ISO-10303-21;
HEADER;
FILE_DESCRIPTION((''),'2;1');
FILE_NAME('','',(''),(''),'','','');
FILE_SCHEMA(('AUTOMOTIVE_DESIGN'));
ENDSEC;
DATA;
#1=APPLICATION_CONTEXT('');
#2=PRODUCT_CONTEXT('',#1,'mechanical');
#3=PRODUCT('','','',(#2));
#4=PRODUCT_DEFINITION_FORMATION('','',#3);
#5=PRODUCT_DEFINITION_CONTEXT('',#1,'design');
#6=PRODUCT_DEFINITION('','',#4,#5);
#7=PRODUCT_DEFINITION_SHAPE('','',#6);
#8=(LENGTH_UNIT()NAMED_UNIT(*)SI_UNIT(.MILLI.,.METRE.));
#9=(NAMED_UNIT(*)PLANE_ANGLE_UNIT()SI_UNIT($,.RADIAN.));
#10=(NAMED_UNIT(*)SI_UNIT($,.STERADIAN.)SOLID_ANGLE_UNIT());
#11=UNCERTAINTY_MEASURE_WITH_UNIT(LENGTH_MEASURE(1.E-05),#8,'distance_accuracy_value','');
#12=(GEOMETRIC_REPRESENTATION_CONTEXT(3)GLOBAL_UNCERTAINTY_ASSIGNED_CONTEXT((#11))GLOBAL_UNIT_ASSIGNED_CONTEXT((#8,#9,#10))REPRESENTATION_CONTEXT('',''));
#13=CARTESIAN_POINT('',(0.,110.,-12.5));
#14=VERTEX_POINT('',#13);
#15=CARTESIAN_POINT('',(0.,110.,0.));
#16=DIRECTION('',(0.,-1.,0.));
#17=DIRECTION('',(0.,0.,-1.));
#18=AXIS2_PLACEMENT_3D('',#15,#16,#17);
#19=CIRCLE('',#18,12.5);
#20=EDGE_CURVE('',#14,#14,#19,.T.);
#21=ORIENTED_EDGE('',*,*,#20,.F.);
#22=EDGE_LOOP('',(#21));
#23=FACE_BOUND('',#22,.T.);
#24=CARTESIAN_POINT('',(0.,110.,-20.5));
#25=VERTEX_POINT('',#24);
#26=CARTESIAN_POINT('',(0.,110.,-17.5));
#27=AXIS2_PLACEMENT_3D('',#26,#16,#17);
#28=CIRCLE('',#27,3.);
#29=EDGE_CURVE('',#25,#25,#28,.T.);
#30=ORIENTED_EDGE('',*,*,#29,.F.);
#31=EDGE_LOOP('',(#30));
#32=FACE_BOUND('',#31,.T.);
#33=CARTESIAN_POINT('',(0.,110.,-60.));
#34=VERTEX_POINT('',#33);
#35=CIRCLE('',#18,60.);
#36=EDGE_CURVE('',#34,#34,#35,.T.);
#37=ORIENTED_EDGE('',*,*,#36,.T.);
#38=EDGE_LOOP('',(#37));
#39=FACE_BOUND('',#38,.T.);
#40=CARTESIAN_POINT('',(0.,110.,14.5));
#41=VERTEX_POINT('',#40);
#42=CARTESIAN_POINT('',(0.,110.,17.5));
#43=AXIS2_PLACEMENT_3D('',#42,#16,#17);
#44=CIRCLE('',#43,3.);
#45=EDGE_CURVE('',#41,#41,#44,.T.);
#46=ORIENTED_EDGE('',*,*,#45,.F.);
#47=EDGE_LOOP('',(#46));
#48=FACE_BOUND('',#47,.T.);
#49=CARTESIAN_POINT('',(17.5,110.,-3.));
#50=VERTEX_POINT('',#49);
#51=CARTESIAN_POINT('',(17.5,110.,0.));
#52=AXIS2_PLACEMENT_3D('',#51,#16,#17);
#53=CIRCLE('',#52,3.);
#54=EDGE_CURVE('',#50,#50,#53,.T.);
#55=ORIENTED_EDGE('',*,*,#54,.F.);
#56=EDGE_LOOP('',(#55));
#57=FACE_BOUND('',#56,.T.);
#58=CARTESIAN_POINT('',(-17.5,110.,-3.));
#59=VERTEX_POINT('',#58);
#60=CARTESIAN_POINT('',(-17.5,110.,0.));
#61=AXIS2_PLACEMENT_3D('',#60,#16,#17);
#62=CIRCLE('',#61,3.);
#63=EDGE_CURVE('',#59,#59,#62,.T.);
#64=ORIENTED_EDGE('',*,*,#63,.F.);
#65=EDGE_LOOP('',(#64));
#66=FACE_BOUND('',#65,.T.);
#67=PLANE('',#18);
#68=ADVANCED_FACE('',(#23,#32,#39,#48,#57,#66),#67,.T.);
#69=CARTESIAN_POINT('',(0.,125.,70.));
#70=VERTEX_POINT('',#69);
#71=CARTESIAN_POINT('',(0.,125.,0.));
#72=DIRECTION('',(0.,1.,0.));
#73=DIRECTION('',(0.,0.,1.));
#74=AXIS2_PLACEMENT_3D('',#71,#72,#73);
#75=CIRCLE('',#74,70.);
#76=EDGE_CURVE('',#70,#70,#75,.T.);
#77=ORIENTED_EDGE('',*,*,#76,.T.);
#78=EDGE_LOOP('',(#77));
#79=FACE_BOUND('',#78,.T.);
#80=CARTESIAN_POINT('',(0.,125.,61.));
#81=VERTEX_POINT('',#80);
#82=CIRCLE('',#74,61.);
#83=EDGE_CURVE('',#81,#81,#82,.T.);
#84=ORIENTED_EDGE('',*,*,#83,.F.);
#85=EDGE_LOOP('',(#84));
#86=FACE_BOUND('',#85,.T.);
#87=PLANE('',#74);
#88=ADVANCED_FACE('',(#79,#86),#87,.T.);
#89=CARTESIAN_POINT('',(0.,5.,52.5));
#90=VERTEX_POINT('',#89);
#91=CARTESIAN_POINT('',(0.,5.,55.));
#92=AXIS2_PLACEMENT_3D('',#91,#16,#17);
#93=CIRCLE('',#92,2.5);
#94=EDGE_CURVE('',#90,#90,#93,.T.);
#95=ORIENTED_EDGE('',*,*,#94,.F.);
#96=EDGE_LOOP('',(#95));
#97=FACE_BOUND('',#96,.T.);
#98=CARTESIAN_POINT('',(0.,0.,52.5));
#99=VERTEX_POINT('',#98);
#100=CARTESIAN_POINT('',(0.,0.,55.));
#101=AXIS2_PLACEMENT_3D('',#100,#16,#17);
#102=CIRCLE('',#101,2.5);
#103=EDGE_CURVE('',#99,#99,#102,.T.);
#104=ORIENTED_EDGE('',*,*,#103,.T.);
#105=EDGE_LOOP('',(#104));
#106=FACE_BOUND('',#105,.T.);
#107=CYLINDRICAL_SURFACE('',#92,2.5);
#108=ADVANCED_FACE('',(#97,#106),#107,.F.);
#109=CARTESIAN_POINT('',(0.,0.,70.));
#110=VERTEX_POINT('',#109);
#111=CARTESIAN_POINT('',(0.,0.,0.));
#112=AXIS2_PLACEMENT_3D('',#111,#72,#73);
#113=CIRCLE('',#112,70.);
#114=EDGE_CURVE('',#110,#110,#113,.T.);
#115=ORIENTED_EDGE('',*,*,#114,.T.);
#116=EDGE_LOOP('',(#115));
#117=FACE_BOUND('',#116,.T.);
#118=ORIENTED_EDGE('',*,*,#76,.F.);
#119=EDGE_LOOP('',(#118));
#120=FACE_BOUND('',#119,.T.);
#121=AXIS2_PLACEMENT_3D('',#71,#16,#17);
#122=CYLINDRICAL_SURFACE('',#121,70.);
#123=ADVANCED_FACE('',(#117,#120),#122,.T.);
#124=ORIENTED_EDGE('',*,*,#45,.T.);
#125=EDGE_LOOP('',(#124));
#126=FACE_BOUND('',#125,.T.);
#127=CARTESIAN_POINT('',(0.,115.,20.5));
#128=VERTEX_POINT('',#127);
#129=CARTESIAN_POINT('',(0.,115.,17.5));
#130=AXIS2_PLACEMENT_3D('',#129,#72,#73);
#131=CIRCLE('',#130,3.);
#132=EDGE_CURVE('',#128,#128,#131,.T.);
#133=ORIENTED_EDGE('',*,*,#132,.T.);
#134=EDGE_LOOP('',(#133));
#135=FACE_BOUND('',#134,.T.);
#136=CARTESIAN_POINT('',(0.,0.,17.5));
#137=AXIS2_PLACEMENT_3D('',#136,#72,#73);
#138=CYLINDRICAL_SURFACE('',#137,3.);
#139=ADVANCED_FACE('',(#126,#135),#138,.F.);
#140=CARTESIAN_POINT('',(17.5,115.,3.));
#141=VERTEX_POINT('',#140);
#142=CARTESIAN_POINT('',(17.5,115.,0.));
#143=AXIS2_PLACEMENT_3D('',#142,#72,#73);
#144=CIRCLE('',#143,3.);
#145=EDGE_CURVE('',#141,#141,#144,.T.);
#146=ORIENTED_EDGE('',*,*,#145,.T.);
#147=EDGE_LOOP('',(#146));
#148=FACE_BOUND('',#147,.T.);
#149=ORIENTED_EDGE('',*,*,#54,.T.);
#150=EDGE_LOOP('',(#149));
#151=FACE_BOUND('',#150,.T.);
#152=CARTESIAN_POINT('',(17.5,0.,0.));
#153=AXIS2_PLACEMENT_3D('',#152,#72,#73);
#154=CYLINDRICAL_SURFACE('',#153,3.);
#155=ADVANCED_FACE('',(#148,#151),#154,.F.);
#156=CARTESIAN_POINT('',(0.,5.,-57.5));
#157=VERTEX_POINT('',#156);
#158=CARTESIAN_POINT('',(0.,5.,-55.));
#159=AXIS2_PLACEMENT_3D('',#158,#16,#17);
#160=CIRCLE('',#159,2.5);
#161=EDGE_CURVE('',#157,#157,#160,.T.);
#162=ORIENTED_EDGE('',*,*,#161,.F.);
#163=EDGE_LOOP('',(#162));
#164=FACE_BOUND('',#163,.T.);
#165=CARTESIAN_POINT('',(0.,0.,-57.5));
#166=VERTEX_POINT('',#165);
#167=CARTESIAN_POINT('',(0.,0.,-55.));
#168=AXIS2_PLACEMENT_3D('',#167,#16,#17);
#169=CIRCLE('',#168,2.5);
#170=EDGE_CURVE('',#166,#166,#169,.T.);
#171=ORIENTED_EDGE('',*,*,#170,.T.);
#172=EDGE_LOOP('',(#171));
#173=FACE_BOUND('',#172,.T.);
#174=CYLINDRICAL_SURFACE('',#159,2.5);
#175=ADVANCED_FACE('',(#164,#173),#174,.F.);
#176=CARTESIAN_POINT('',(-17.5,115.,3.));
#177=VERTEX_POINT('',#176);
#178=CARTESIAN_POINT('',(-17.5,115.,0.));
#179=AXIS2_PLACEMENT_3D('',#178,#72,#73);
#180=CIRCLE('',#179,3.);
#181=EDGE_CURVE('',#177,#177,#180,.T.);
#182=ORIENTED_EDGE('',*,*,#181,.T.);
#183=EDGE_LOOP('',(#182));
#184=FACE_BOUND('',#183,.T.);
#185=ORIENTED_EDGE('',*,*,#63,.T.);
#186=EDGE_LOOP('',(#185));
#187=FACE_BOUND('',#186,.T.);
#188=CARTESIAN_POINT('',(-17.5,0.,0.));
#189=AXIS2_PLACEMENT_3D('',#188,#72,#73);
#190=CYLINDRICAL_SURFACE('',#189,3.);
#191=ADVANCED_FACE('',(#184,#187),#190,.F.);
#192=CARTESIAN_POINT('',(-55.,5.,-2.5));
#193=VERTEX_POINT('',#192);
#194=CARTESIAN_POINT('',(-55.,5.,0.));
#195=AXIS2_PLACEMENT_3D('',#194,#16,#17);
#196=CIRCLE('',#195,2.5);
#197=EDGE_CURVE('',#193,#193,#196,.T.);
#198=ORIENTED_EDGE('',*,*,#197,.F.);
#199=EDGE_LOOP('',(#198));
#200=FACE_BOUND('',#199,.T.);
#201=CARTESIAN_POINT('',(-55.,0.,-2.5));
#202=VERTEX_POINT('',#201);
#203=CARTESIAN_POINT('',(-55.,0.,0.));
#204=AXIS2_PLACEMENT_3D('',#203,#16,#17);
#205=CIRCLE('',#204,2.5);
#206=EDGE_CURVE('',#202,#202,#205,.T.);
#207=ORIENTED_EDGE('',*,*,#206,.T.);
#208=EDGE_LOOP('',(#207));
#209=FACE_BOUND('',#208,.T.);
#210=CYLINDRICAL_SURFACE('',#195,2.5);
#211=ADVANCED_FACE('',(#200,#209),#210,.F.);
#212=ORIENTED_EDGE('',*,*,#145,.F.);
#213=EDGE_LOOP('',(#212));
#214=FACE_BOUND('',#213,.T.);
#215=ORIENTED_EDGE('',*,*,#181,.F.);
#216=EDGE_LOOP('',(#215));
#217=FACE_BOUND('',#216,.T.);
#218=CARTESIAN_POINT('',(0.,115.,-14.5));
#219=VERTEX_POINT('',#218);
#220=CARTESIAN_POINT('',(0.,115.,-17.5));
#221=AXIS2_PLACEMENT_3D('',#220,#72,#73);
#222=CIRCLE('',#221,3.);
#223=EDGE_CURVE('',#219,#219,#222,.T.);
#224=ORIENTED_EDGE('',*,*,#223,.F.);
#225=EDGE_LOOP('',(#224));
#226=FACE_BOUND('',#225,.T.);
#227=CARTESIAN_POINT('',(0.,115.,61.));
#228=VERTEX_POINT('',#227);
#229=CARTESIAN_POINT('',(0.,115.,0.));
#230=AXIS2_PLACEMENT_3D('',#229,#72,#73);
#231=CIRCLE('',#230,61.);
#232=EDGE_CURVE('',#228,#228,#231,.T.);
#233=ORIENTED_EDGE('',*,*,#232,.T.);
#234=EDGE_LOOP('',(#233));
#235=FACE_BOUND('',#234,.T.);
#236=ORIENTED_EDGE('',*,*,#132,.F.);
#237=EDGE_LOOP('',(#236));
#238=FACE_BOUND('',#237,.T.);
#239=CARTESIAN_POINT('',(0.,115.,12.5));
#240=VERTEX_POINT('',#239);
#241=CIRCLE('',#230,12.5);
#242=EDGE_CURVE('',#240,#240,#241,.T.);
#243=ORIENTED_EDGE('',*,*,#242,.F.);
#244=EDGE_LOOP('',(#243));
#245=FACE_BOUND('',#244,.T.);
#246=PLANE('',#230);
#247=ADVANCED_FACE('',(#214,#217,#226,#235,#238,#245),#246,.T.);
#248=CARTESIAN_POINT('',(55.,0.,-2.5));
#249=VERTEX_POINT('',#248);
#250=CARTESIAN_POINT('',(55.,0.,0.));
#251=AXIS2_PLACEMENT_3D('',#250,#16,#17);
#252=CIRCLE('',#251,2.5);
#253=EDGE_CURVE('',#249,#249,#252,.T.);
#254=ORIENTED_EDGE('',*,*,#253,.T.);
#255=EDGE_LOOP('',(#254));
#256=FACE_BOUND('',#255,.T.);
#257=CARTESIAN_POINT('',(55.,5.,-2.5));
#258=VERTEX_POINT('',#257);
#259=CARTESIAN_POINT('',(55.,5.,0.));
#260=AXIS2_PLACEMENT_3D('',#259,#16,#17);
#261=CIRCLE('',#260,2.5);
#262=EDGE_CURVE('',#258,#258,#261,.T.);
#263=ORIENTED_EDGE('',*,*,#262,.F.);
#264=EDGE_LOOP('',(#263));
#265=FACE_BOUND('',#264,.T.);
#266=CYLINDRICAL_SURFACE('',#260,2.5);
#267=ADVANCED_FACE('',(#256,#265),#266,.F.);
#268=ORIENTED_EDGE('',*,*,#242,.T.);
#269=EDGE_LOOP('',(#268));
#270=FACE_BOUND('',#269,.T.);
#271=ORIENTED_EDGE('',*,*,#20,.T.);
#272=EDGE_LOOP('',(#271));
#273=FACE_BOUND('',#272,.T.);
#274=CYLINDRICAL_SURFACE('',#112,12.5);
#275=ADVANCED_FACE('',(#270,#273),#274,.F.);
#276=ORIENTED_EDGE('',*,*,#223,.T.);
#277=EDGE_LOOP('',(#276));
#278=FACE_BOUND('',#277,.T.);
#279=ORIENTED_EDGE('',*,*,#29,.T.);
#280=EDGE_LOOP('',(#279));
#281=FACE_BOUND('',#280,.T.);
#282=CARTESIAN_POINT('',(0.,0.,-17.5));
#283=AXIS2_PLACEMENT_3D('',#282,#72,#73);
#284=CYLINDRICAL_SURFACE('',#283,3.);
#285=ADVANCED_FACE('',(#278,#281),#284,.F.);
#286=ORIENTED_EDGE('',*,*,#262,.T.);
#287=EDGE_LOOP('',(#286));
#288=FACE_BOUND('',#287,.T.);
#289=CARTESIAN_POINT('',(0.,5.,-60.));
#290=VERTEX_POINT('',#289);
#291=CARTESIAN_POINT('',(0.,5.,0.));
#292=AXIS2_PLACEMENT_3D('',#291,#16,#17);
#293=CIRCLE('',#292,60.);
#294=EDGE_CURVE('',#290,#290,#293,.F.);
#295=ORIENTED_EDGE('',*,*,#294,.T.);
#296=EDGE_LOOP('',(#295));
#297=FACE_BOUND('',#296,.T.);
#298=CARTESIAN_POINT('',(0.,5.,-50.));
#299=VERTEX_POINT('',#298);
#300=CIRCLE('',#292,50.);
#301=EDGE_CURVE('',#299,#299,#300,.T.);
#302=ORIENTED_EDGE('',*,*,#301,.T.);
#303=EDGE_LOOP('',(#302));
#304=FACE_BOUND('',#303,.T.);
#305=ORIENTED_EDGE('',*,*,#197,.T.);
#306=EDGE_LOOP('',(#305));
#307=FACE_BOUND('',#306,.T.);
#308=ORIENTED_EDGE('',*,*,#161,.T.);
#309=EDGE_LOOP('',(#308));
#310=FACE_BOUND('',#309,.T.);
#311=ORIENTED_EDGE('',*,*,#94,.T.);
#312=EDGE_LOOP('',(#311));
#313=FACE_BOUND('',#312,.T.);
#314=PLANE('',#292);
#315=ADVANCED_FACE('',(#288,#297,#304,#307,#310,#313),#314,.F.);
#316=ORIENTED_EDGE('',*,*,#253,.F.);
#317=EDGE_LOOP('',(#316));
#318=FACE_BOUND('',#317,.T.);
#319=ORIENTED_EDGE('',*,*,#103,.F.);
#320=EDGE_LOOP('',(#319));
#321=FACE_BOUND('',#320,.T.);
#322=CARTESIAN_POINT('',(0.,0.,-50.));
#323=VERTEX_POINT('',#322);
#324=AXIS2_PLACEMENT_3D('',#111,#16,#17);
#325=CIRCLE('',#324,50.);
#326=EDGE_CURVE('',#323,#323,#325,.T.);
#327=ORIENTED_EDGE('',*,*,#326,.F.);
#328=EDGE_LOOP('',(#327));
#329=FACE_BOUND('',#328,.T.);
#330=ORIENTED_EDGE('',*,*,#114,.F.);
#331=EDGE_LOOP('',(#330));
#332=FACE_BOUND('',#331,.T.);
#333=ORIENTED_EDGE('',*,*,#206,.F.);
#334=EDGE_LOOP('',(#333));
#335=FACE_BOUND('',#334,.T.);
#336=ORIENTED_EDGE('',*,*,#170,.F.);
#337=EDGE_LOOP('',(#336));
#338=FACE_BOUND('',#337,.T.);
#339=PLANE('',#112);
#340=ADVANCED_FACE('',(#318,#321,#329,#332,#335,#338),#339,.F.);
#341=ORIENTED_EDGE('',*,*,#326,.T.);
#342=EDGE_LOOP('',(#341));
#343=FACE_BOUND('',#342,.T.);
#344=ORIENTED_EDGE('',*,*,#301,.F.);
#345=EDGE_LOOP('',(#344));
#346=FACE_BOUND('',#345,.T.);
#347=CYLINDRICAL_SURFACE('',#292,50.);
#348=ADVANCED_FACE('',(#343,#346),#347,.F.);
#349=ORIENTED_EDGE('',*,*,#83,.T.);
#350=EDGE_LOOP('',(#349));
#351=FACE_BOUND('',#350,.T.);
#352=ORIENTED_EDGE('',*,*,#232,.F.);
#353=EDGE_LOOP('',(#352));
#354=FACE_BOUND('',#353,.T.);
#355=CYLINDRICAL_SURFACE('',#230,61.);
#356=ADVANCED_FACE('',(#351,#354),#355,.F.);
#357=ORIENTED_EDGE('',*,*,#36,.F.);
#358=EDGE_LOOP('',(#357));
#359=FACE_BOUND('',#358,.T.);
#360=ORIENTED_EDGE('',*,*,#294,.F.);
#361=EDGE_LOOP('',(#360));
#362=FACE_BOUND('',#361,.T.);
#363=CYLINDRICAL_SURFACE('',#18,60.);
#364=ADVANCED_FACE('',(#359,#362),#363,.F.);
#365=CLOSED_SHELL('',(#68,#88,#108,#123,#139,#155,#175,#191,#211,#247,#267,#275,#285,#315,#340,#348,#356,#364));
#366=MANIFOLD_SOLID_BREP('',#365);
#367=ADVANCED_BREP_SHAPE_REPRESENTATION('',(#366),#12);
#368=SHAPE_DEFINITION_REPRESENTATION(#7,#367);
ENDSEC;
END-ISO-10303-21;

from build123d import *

# Parameters (mm, degrees)
SKETCH_1_R          = 70
EXTRUDE_1_DEPTH     = 125
SKETCH_4_R          = 60
CUT_EXTRUDE_4_DEPTH = 110
SKETCH_5_R          = 61
CUT_EXTRUDE_5_DEPTH = 10
SKETCH_6_R          = 12.5
SKETCH_6_R_2        = 3
CUT_EXTRUDE_6_DEPTH = 152.739909055
SKETCH_7_R          = 60
SKETCH_7_R_2        = 50
EXTRUDE_2_DEPTH     = 5
SKETCH_8_R          = 2.5
CUT_EXTRUDE_7_DEPTH = 5


with BuildPart() as part:
    # 스케치1 → 보스-돌출1 (new body)
    with BuildSketch(Plane(origin=(0, 0, 0), x_dir=(1, 0, 0), z_dir=(0, 1, 0))):
        with Locations(Location((0, 0, 0), (0, 0, 270))):
            Circle(SKETCH_1_R)
    extrude(amount=EXTRUDE_1_DEPTH)

    # 스케치4 → 컷-돌출4 (cut)
    with BuildSketch(Plane.XZ):
        with Locations(Location((0, 0, 0), (0, 0, 270))):
            Circle(SKETCH_4_R)
    extrude(amount=-CUT_EXTRUDE_4_DEPTH, mode=Mode.SUBTRACT)

    # 스케치5 → 컷-돌출5 (cut)
    with BuildSketch(Plane(origin=(0, 125, 0), x_dir=(1, 0, 0), z_dir=(0, 1, 0))):
        with Locations(Location((0, 0, 0), (0, 0, 270))):
            Circle(SKETCH_5_R)
    extrude(amount=-CUT_EXTRUDE_5_DEPTH, mode=Mode.SUBTRACT)

    # 스케치6 → 컷-돌출6 (cut, through all)
    with BuildSketch(Plane(origin=(0, 115, 0), x_dir=(1, 0, 0), z_dir=(0, 1, 0))):
        with Locations(Location((0, 0, 0), (0, 0, 270))):
            Circle(SKETCH_6_R)
        with Locations(Location((0, -17.5, 0), (0, 0, 270))):
            Circle(SKETCH_6_R_2)
        with Locations(Location((-17.5, 0, 0), (0, 0, 270))):
            Circle(SKETCH_6_R_2)
        with Locations(Location((0, 17.5, 0), (0, 0, 270))):
            Circle(SKETCH_6_R_2)
        with Locations(Location((17.5, 0, 0), (0, 0, 270))):
            Circle(SKETCH_6_R_2)
    extrude(amount=-CUT_EXTRUDE_6_DEPTH, mode=Mode.SUBTRACT)

    # 스케치7 → 보스-돌출2 (add)
    with BuildSketch(Plane.XZ):
        with Locations(Location((0, 0, 0), (0, 0, 270))):
            Circle(SKETCH_7_R)
        with Locations(Location((0, 0, 0), (0, 0, 270))):
            Circle(SKETCH_7_R_2, mode=Mode.SUBTRACT)
    extrude(amount=-EXTRUDE_2_DEPTH)

    # 스케치8 → 컷-돌출7 (cut)
    with BuildSketch(Plane.XZ):
        with Locations(Location((0, -55, 0), (0, 0, 270))):
            Circle(SKETCH_8_R)
        with Locations(Location((-55, 0, 0), (0, 0, 270))):
            Circle(SKETCH_8_R)
        with Locations(Location((0, 55, 0), (0, 0, 270))):
            Circle(SKETCH_8_R)
        with Locations(Location((55, 0, 0), (0, 0, 270))):
            Circle(SKETCH_8_R)
    extrude(amount=-CUT_EXTRUDE_7_DEPTH, mode=Mode.SUBTRACT)


solid = part.part
